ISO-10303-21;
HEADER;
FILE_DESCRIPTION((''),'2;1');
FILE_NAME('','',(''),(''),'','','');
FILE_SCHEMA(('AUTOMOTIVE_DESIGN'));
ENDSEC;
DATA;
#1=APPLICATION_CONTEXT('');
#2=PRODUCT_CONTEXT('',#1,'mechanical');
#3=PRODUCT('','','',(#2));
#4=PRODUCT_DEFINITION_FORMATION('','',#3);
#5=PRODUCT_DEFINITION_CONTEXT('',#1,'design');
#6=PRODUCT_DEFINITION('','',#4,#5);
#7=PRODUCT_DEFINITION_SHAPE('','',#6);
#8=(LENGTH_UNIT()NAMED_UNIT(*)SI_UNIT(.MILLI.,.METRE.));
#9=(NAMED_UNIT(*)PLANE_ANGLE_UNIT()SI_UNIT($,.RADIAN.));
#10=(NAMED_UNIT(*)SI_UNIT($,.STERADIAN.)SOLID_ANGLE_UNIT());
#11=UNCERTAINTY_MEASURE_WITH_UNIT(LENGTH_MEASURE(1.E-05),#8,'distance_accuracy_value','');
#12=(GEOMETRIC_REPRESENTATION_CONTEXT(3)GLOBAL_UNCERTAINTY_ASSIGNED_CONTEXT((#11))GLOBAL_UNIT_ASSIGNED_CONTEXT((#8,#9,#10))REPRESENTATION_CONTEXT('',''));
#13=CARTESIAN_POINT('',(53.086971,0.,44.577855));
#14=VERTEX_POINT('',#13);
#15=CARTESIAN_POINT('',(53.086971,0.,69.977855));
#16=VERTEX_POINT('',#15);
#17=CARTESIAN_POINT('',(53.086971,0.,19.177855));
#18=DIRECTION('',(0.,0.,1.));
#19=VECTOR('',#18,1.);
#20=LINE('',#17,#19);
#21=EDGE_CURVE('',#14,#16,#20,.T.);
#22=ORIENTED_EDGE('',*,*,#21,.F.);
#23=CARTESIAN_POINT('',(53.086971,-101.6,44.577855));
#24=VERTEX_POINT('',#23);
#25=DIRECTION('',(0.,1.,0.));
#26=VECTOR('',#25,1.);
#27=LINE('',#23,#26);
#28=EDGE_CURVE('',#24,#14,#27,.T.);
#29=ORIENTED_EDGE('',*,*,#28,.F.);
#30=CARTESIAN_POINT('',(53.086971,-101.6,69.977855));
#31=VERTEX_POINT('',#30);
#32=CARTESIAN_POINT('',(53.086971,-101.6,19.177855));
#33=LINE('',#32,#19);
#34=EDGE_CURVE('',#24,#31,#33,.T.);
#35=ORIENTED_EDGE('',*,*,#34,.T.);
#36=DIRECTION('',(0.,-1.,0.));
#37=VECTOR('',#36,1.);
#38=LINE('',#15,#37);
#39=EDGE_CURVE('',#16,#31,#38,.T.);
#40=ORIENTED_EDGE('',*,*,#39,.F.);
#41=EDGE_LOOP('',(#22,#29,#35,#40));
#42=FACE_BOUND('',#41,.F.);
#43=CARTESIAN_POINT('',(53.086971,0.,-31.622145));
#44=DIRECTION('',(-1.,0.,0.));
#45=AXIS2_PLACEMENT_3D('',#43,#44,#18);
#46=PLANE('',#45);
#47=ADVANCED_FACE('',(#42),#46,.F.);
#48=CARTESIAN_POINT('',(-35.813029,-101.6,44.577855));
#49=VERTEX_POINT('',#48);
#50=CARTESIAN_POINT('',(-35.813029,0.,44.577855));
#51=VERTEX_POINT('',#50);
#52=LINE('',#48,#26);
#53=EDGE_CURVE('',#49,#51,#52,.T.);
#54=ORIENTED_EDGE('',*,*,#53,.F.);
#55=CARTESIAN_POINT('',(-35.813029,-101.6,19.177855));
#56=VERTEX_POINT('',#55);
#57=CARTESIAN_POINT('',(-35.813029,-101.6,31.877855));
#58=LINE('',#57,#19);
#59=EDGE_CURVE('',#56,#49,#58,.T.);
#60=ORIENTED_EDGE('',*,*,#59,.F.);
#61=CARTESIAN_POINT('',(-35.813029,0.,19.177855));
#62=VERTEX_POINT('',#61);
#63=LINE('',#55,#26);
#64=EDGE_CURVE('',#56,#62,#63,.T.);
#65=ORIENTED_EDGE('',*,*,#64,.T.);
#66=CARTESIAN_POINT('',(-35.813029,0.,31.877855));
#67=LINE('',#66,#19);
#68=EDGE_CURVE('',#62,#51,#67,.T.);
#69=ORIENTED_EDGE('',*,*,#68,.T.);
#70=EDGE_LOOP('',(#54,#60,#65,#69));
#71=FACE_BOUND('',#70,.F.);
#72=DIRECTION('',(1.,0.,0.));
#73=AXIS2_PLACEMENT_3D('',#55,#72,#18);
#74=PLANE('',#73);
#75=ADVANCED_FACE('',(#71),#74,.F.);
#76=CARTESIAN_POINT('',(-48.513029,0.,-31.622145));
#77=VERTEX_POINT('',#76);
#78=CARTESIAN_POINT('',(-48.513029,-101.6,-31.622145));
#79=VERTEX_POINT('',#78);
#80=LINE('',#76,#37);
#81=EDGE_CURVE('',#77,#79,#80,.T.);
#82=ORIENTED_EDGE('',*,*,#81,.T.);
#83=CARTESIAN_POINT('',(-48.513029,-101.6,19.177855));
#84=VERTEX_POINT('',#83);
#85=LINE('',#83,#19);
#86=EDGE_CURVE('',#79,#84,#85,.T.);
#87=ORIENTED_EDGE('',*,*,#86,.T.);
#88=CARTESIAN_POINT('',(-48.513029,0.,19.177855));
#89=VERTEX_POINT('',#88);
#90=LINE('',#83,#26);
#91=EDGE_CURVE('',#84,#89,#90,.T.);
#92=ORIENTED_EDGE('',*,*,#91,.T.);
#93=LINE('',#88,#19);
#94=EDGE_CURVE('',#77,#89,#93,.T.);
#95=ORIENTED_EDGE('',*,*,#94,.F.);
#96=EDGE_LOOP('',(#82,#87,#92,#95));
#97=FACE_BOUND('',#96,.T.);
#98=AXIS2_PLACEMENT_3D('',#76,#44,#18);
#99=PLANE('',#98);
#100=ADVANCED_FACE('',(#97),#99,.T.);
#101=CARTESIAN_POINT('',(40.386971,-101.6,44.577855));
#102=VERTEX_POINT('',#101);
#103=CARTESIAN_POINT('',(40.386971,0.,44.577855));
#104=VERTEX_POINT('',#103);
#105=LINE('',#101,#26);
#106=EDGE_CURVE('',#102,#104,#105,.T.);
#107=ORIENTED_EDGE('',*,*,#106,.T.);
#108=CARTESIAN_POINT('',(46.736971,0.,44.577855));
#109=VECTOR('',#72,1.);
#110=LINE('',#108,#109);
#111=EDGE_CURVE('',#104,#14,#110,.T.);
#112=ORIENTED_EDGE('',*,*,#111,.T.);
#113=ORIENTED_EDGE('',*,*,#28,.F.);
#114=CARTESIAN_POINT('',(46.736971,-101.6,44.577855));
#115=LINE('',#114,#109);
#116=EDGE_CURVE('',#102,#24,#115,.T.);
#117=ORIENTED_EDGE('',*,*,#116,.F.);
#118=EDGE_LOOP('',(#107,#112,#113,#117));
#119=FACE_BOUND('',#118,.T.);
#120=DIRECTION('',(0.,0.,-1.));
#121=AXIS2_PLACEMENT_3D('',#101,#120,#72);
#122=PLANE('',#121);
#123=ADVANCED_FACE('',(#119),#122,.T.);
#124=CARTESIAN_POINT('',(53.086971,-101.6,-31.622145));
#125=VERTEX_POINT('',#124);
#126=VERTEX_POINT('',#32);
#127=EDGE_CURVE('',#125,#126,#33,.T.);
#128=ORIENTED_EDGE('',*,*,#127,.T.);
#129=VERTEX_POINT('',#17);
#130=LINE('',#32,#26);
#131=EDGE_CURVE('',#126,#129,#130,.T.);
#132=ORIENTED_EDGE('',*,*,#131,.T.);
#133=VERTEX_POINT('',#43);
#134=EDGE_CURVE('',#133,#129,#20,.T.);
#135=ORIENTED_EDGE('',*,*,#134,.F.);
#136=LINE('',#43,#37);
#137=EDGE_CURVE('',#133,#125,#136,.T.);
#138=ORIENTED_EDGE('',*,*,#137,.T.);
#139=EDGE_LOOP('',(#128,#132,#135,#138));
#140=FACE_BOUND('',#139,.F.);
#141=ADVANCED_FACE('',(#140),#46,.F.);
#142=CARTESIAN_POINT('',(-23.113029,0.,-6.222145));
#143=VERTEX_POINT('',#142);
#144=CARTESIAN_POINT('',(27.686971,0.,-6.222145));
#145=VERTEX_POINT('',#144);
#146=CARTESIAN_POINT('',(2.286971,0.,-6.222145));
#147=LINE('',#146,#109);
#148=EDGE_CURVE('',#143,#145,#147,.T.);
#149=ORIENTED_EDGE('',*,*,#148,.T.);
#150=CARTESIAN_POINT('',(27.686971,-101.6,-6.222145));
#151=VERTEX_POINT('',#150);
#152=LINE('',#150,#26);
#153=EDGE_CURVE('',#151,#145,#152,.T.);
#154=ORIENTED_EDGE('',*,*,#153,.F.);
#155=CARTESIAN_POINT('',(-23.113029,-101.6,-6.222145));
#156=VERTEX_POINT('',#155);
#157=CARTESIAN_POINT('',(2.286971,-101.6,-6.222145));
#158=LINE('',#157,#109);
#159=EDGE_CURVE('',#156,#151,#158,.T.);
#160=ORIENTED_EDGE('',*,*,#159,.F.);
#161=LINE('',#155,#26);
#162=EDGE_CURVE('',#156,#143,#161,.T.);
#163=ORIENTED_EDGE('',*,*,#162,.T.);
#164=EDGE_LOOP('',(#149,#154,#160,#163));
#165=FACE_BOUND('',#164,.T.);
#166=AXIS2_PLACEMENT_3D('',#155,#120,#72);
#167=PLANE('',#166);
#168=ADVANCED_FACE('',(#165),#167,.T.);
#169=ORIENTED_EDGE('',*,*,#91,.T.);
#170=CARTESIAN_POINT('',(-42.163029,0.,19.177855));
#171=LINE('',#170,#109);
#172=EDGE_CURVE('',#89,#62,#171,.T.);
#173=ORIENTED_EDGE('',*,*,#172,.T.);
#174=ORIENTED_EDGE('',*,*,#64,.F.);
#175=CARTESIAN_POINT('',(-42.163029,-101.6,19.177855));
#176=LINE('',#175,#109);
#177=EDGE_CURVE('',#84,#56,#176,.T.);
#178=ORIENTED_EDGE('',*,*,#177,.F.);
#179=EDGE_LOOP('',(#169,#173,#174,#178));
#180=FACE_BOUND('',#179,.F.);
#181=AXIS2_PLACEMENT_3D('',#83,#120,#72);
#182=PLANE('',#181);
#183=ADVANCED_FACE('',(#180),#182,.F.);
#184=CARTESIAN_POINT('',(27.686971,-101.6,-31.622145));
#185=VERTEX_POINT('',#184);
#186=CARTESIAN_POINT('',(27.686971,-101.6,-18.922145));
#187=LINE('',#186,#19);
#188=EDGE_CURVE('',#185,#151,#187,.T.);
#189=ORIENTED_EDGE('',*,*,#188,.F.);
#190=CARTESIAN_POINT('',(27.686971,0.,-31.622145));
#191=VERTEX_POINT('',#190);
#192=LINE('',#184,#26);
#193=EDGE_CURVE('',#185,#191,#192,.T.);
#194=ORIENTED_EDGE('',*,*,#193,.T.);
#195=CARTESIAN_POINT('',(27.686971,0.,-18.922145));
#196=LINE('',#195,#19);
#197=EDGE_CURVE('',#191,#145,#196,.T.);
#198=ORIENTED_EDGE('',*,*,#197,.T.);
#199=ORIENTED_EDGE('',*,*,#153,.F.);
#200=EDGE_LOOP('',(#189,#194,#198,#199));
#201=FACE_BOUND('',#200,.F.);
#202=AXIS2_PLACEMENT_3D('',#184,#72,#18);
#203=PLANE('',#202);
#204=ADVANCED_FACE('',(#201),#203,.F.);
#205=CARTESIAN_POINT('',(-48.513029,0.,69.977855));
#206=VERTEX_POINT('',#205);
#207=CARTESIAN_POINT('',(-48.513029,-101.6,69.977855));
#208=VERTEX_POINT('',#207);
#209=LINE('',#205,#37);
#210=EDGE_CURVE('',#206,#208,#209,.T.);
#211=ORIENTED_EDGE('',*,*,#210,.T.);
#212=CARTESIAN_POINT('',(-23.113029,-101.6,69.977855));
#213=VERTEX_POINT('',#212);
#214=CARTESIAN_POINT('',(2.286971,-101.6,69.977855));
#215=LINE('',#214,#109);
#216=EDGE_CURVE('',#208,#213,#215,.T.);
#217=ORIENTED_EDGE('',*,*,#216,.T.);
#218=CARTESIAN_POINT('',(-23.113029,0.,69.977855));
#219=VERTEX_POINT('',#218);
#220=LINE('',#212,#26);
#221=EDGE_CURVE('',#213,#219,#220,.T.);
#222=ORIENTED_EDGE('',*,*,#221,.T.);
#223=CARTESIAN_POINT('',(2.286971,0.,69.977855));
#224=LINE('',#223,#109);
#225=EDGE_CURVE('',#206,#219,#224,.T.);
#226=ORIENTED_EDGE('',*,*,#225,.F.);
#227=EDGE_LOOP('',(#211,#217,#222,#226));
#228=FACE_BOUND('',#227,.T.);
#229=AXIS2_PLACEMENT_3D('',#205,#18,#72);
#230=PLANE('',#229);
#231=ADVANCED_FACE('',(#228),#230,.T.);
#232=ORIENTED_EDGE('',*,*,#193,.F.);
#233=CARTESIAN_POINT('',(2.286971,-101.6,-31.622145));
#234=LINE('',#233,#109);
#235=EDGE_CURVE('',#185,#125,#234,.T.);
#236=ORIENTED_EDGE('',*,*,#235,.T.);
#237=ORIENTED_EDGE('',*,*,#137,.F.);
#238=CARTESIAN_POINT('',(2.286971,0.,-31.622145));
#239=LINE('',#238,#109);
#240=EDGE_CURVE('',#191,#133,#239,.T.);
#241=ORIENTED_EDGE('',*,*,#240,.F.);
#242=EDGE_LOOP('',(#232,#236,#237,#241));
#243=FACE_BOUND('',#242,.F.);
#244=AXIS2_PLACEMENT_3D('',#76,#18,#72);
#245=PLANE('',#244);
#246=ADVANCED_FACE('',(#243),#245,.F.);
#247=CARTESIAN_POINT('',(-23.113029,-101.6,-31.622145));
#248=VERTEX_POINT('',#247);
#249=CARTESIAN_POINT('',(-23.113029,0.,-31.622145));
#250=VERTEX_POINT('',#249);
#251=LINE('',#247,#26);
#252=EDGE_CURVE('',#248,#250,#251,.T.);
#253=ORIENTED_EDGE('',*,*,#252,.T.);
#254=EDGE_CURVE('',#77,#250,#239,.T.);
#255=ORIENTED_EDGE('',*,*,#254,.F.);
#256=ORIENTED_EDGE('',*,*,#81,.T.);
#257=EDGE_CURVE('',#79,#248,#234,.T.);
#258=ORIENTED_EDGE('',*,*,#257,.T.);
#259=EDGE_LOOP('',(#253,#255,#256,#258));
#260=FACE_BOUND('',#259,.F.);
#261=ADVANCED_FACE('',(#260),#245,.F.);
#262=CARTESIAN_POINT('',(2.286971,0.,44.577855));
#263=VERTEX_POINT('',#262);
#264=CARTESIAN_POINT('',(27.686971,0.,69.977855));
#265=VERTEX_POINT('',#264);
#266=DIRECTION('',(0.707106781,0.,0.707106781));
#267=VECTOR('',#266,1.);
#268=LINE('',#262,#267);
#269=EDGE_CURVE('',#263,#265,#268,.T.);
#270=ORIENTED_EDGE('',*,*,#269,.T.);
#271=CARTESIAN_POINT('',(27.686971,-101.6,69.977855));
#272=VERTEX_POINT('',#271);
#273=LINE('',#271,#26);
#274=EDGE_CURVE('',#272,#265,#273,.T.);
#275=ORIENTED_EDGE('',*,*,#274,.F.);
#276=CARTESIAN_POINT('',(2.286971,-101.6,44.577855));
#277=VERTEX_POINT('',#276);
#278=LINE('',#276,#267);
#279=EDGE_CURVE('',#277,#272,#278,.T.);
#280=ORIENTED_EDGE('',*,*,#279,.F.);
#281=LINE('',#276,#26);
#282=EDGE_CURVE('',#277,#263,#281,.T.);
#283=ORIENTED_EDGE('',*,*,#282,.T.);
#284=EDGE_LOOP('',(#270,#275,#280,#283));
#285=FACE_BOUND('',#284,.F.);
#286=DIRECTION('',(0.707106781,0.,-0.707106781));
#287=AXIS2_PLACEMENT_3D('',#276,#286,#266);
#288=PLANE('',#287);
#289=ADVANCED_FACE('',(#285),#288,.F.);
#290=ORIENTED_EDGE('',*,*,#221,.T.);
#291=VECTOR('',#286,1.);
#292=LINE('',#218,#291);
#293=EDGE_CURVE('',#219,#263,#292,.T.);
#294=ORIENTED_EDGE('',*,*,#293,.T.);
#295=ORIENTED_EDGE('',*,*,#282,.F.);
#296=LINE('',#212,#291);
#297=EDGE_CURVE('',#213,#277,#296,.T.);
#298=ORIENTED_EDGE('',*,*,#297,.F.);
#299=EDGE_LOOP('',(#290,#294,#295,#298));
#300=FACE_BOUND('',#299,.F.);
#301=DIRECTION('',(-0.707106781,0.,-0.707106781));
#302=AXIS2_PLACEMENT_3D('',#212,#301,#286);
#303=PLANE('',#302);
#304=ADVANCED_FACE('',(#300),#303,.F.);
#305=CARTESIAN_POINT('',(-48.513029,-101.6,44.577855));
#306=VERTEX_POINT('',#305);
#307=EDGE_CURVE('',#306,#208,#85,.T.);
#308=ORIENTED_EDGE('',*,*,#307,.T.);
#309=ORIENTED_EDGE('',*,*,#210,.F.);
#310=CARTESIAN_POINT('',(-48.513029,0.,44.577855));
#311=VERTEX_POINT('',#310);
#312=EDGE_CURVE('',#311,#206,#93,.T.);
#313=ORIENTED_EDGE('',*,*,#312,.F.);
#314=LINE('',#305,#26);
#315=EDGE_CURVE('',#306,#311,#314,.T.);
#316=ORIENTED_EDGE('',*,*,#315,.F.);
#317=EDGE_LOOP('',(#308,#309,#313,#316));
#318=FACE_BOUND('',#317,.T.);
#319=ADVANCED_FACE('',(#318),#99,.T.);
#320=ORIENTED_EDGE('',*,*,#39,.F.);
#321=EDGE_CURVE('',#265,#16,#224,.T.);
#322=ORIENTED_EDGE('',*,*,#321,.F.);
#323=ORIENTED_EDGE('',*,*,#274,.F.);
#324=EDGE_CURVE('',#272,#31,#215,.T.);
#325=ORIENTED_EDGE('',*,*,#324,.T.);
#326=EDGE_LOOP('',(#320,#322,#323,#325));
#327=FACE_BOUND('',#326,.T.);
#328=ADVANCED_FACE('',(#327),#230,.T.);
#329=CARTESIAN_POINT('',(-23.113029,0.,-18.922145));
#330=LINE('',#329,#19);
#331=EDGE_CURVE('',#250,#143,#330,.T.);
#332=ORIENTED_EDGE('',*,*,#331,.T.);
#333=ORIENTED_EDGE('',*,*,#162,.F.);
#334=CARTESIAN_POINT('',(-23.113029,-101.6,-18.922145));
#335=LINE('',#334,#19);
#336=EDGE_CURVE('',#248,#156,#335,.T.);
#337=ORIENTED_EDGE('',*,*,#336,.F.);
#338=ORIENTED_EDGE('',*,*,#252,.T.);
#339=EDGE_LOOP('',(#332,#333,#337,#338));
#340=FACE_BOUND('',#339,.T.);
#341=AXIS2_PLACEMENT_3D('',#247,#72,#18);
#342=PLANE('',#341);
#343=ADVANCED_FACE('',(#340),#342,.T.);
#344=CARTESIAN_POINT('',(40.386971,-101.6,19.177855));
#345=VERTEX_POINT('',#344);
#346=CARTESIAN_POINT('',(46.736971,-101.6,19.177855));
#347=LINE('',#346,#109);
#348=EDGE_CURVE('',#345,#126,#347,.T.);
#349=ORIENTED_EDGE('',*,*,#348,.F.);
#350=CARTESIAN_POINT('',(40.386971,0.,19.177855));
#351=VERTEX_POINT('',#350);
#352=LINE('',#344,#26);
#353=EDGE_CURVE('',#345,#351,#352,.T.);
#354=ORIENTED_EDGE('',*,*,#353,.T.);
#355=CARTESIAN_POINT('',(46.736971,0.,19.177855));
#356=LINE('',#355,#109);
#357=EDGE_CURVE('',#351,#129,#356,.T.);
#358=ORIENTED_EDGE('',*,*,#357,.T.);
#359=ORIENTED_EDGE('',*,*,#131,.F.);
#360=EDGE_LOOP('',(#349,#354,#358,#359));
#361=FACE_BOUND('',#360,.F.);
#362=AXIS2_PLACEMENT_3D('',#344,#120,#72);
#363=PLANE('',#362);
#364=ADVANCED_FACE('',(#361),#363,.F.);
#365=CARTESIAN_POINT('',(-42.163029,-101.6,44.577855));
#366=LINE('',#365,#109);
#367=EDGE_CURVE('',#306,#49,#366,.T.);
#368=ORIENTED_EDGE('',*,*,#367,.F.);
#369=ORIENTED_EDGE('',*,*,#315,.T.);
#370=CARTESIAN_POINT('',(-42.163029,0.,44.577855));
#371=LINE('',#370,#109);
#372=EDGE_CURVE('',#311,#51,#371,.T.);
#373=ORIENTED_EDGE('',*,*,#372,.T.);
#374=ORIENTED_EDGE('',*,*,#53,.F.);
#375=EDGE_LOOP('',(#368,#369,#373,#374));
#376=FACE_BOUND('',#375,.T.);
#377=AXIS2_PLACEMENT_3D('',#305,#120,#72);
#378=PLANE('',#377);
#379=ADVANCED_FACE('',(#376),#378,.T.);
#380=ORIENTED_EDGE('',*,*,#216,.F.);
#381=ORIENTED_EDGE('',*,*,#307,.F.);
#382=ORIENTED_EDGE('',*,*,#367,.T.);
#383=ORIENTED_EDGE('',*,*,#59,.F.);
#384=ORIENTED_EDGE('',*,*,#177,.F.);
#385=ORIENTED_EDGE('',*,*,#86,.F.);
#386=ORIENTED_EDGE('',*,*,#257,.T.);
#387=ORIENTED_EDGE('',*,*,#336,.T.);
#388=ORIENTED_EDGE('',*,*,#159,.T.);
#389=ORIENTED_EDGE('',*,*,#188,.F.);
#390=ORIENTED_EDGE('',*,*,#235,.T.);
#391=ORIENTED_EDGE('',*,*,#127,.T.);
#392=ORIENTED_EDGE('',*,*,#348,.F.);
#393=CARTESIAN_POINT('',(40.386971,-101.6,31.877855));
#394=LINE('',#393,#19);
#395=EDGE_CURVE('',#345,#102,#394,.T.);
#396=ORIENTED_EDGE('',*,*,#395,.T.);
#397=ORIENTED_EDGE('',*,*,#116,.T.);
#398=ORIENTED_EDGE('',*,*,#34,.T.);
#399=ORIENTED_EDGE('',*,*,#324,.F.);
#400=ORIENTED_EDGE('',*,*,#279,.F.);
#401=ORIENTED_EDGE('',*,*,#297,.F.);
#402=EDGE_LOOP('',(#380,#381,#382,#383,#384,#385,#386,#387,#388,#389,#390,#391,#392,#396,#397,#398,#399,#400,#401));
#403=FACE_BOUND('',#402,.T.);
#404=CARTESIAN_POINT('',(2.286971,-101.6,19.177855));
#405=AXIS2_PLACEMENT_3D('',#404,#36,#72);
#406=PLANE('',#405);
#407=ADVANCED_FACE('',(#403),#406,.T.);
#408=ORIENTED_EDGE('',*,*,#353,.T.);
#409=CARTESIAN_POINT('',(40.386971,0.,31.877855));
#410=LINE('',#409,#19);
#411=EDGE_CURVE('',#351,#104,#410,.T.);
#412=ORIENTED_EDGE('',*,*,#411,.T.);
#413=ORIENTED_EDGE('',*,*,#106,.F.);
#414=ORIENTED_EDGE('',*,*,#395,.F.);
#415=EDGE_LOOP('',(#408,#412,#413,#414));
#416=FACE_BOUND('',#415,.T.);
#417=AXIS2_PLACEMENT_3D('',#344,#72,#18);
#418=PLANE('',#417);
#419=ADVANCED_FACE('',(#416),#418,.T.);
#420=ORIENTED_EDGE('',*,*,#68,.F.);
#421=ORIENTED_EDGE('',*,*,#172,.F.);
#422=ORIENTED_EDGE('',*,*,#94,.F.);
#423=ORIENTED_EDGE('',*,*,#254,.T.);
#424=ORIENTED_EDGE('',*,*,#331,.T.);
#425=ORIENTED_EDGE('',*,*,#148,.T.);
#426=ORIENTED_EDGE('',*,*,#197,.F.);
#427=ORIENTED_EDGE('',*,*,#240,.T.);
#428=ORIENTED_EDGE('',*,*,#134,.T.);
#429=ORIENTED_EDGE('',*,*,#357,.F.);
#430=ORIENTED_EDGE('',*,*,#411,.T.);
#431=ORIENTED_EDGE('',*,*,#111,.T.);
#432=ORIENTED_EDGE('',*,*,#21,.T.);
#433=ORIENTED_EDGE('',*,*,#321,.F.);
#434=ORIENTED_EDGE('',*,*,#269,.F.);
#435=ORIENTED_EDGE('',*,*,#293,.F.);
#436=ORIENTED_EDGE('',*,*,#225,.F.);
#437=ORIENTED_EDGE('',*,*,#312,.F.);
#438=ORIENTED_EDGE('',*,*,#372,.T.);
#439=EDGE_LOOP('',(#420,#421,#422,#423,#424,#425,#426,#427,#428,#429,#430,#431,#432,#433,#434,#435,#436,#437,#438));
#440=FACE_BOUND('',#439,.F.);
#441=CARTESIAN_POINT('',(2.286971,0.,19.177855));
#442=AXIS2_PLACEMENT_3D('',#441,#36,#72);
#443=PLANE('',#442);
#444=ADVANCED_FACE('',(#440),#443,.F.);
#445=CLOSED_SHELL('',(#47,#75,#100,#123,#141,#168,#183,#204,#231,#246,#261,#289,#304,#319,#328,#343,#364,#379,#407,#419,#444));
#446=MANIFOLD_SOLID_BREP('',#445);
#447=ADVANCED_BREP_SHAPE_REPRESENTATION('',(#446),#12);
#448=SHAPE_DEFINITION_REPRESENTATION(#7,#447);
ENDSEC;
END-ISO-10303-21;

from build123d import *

# Parameters (mm, degrees)
F0_W     = 101.6
F0_H     = 101.6
F1_DEPTH = 101.6
F3_DEPTH = 101.6
F4_W     = 12.7
F4_H     = 25.4
F5_DEPTH = 101.6
F6_W     = 50.8
F6_H     = 25.4
F7_DEPTH = 101.6


with BuildPart() as f1:
    # F0 (on Front) → F1 (new body)
    with BuildSketch(Plane.XZ):
        with Locations((2.286971, 19.177855)):
            Rectangle(F0_W, F0_H)
    extrude(amount=F1_DEPTH)

    # F2 (on face) → F3 (cut)
    with BuildSketch(Plane.XZ.offset(101.6)):
        Polygon((27.686971, 69.977855), (-23.113029, 69.977855), (2.286971, 44.577855), align=None)
    extrude(amount=-F3_DEPTH, mode=Mode.SUBTRACT)

    # F4 (on face) → F5 (cut)
    with BuildSketch(Plane.XZ.offset(101.6)):
        with Locations((-42.163029, 31.877855)):
            Rectangle(F4_W, F4_H)
        with Locations((46.736971, 31.877855)):
            Rectangle(F4_W, F4_H)
    extrude(amount=-F5_DEPTH, mode=Mode.SUBTRACT)

    # F6 (on face) → F7 (cut)
    with BuildSketch(Plane.XZ.offset(101.6)):
        with Locations((2.286971, -18.922145)):
            Rectangle(F6_W, F6_H)
    extrude(amount=-F7_DEPTH, mode=Mode.SUBTRACT)


solid = f1.part
